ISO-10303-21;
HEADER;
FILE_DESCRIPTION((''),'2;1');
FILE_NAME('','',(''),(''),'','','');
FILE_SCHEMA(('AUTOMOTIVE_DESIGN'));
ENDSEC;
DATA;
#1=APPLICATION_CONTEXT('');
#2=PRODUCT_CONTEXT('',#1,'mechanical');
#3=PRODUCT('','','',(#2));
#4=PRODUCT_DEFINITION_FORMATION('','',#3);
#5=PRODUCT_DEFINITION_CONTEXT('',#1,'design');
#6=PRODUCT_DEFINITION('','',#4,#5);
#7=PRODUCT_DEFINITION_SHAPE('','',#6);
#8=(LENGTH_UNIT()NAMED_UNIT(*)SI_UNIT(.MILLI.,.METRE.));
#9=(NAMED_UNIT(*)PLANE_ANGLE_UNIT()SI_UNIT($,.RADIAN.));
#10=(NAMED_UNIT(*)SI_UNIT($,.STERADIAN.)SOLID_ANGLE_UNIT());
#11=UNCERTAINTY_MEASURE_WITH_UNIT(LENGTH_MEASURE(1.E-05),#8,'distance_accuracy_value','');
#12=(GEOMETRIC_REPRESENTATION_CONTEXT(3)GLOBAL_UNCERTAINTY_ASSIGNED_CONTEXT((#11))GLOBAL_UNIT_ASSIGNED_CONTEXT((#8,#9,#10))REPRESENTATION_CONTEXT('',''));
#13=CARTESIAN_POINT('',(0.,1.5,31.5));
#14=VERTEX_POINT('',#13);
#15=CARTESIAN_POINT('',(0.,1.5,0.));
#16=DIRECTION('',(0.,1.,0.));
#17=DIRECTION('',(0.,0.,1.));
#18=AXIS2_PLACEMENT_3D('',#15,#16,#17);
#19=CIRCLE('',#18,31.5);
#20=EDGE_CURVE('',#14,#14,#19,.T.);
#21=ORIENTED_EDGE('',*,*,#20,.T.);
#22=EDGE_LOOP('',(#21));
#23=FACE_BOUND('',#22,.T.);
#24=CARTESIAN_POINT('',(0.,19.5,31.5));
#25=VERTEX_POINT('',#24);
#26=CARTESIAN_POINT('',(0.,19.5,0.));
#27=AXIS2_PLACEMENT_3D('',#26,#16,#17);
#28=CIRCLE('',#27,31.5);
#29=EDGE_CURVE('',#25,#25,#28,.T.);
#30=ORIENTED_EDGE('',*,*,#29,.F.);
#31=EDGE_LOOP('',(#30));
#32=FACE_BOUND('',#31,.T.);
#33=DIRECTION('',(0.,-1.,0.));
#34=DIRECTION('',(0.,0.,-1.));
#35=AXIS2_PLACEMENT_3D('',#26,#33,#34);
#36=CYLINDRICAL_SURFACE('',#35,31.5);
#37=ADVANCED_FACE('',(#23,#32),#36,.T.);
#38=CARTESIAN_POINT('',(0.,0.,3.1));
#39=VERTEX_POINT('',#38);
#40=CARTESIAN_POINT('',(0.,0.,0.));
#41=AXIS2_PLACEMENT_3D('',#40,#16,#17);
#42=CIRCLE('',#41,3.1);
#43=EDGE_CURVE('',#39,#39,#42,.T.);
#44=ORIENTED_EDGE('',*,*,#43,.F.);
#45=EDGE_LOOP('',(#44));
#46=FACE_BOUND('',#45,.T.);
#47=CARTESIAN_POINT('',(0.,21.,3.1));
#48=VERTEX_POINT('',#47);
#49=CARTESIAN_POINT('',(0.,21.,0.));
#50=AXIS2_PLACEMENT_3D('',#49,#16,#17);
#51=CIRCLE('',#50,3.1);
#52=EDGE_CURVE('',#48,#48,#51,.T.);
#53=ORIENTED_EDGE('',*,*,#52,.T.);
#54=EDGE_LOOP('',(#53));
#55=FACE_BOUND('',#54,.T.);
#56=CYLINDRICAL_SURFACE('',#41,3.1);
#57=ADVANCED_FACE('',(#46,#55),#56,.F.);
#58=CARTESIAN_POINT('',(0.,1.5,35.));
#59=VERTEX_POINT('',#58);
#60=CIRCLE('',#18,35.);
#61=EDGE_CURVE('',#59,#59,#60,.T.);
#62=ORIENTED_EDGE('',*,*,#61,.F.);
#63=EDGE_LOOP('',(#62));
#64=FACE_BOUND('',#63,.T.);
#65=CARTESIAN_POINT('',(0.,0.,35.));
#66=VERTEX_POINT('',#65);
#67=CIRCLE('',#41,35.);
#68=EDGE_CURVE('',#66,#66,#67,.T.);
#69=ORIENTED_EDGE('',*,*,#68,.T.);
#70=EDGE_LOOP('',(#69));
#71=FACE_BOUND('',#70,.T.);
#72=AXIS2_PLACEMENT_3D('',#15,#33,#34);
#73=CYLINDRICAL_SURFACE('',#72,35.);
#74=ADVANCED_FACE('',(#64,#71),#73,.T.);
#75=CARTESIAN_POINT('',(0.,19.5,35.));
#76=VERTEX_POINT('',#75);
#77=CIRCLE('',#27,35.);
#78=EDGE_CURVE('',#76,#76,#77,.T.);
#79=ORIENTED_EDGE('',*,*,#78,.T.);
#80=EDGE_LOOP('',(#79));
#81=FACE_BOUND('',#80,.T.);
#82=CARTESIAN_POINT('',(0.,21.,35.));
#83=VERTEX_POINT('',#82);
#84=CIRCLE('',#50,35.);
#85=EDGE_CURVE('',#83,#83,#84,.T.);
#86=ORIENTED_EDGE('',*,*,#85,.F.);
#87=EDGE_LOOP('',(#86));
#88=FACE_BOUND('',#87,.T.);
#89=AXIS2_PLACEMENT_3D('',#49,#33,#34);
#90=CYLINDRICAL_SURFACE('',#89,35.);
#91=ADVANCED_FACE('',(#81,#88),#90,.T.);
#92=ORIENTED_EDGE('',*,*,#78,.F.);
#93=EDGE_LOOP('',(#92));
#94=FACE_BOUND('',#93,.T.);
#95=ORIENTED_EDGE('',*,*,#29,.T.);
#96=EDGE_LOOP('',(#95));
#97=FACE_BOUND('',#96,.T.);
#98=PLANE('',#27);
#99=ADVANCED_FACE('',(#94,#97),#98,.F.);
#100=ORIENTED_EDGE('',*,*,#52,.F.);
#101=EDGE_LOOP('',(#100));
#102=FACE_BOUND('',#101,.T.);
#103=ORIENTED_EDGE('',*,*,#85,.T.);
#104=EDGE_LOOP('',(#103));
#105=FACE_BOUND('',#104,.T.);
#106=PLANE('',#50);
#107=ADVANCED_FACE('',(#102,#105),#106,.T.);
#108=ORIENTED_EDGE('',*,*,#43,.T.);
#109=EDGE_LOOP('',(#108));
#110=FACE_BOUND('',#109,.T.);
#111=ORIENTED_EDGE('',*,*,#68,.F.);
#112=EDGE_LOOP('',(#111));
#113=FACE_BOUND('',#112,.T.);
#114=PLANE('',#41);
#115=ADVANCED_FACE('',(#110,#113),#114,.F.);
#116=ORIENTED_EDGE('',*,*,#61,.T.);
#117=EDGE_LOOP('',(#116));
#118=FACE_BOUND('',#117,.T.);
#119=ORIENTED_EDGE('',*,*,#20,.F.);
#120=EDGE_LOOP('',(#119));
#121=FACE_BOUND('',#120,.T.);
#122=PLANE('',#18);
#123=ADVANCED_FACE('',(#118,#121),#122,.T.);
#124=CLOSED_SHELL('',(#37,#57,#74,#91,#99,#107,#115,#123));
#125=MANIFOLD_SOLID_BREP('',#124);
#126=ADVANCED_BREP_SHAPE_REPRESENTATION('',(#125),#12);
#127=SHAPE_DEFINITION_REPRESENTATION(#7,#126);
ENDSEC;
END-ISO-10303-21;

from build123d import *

# Parameters (mm, degrees)
SKETCH1_R           = 35
BOSS_EXTRUDE1_DEPTH = 1.5
SKETCH2_R           = 31.5
BOSS_EXTRUDE2_DEPTH = 18
SKETCH3_R           = 35
BOSS_EXTRUDE3_DEPTH = 1.5
SKETCH4_R           = 3.1
CUT_EXTRUDE1_DEPTH  = 22


with BuildPart() as part:
    # Sketch1 → Boss-Extrude1 (new body)
    with BuildSketch(Plane(origin=(0, 0, 0), x_dir=(1, 0, 0), z_dir=(0, 1, 0))):
        Circle(SKETCH1_R)
    extrude(amount=BOSS_EXTRUDE1_DEPTH)

    # Sketch2 → Boss-Extrude2 (add)
    with BuildSketch(Plane(origin=(0, 1.5, 0), x_dir=(1, 0, 0), z_dir=(0, 1, 0))):
        Circle(SKETCH2_R)
    extrude(amount=BOSS_EXTRUDE2_DEPTH)

    # Sketch3 → Boss-Extrude3 (add)
    with BuildSketch(Plane(origin=(0, 19.5, 0), x_dir=(1, 0, 0), z_dir=(0, 1, 0))):
        Circle(SKETCH3_R)
    extrude(amount=BOSS_EXTRUDE3_DEPTH)

    # Sketch4 → Cut-Extrude1 (cut, through all)
    with BuildSketch(Plane(origin=(0, 21, 0), x_dir=(1, 0, 0), z_dir=(0, 1, 0))):
        Circle(SKETCH4_R)
    extrude(amount=-CUT_EXTRUDE1_DEPTH, mode=Mode.SUBTRACT)


solid = part.part
